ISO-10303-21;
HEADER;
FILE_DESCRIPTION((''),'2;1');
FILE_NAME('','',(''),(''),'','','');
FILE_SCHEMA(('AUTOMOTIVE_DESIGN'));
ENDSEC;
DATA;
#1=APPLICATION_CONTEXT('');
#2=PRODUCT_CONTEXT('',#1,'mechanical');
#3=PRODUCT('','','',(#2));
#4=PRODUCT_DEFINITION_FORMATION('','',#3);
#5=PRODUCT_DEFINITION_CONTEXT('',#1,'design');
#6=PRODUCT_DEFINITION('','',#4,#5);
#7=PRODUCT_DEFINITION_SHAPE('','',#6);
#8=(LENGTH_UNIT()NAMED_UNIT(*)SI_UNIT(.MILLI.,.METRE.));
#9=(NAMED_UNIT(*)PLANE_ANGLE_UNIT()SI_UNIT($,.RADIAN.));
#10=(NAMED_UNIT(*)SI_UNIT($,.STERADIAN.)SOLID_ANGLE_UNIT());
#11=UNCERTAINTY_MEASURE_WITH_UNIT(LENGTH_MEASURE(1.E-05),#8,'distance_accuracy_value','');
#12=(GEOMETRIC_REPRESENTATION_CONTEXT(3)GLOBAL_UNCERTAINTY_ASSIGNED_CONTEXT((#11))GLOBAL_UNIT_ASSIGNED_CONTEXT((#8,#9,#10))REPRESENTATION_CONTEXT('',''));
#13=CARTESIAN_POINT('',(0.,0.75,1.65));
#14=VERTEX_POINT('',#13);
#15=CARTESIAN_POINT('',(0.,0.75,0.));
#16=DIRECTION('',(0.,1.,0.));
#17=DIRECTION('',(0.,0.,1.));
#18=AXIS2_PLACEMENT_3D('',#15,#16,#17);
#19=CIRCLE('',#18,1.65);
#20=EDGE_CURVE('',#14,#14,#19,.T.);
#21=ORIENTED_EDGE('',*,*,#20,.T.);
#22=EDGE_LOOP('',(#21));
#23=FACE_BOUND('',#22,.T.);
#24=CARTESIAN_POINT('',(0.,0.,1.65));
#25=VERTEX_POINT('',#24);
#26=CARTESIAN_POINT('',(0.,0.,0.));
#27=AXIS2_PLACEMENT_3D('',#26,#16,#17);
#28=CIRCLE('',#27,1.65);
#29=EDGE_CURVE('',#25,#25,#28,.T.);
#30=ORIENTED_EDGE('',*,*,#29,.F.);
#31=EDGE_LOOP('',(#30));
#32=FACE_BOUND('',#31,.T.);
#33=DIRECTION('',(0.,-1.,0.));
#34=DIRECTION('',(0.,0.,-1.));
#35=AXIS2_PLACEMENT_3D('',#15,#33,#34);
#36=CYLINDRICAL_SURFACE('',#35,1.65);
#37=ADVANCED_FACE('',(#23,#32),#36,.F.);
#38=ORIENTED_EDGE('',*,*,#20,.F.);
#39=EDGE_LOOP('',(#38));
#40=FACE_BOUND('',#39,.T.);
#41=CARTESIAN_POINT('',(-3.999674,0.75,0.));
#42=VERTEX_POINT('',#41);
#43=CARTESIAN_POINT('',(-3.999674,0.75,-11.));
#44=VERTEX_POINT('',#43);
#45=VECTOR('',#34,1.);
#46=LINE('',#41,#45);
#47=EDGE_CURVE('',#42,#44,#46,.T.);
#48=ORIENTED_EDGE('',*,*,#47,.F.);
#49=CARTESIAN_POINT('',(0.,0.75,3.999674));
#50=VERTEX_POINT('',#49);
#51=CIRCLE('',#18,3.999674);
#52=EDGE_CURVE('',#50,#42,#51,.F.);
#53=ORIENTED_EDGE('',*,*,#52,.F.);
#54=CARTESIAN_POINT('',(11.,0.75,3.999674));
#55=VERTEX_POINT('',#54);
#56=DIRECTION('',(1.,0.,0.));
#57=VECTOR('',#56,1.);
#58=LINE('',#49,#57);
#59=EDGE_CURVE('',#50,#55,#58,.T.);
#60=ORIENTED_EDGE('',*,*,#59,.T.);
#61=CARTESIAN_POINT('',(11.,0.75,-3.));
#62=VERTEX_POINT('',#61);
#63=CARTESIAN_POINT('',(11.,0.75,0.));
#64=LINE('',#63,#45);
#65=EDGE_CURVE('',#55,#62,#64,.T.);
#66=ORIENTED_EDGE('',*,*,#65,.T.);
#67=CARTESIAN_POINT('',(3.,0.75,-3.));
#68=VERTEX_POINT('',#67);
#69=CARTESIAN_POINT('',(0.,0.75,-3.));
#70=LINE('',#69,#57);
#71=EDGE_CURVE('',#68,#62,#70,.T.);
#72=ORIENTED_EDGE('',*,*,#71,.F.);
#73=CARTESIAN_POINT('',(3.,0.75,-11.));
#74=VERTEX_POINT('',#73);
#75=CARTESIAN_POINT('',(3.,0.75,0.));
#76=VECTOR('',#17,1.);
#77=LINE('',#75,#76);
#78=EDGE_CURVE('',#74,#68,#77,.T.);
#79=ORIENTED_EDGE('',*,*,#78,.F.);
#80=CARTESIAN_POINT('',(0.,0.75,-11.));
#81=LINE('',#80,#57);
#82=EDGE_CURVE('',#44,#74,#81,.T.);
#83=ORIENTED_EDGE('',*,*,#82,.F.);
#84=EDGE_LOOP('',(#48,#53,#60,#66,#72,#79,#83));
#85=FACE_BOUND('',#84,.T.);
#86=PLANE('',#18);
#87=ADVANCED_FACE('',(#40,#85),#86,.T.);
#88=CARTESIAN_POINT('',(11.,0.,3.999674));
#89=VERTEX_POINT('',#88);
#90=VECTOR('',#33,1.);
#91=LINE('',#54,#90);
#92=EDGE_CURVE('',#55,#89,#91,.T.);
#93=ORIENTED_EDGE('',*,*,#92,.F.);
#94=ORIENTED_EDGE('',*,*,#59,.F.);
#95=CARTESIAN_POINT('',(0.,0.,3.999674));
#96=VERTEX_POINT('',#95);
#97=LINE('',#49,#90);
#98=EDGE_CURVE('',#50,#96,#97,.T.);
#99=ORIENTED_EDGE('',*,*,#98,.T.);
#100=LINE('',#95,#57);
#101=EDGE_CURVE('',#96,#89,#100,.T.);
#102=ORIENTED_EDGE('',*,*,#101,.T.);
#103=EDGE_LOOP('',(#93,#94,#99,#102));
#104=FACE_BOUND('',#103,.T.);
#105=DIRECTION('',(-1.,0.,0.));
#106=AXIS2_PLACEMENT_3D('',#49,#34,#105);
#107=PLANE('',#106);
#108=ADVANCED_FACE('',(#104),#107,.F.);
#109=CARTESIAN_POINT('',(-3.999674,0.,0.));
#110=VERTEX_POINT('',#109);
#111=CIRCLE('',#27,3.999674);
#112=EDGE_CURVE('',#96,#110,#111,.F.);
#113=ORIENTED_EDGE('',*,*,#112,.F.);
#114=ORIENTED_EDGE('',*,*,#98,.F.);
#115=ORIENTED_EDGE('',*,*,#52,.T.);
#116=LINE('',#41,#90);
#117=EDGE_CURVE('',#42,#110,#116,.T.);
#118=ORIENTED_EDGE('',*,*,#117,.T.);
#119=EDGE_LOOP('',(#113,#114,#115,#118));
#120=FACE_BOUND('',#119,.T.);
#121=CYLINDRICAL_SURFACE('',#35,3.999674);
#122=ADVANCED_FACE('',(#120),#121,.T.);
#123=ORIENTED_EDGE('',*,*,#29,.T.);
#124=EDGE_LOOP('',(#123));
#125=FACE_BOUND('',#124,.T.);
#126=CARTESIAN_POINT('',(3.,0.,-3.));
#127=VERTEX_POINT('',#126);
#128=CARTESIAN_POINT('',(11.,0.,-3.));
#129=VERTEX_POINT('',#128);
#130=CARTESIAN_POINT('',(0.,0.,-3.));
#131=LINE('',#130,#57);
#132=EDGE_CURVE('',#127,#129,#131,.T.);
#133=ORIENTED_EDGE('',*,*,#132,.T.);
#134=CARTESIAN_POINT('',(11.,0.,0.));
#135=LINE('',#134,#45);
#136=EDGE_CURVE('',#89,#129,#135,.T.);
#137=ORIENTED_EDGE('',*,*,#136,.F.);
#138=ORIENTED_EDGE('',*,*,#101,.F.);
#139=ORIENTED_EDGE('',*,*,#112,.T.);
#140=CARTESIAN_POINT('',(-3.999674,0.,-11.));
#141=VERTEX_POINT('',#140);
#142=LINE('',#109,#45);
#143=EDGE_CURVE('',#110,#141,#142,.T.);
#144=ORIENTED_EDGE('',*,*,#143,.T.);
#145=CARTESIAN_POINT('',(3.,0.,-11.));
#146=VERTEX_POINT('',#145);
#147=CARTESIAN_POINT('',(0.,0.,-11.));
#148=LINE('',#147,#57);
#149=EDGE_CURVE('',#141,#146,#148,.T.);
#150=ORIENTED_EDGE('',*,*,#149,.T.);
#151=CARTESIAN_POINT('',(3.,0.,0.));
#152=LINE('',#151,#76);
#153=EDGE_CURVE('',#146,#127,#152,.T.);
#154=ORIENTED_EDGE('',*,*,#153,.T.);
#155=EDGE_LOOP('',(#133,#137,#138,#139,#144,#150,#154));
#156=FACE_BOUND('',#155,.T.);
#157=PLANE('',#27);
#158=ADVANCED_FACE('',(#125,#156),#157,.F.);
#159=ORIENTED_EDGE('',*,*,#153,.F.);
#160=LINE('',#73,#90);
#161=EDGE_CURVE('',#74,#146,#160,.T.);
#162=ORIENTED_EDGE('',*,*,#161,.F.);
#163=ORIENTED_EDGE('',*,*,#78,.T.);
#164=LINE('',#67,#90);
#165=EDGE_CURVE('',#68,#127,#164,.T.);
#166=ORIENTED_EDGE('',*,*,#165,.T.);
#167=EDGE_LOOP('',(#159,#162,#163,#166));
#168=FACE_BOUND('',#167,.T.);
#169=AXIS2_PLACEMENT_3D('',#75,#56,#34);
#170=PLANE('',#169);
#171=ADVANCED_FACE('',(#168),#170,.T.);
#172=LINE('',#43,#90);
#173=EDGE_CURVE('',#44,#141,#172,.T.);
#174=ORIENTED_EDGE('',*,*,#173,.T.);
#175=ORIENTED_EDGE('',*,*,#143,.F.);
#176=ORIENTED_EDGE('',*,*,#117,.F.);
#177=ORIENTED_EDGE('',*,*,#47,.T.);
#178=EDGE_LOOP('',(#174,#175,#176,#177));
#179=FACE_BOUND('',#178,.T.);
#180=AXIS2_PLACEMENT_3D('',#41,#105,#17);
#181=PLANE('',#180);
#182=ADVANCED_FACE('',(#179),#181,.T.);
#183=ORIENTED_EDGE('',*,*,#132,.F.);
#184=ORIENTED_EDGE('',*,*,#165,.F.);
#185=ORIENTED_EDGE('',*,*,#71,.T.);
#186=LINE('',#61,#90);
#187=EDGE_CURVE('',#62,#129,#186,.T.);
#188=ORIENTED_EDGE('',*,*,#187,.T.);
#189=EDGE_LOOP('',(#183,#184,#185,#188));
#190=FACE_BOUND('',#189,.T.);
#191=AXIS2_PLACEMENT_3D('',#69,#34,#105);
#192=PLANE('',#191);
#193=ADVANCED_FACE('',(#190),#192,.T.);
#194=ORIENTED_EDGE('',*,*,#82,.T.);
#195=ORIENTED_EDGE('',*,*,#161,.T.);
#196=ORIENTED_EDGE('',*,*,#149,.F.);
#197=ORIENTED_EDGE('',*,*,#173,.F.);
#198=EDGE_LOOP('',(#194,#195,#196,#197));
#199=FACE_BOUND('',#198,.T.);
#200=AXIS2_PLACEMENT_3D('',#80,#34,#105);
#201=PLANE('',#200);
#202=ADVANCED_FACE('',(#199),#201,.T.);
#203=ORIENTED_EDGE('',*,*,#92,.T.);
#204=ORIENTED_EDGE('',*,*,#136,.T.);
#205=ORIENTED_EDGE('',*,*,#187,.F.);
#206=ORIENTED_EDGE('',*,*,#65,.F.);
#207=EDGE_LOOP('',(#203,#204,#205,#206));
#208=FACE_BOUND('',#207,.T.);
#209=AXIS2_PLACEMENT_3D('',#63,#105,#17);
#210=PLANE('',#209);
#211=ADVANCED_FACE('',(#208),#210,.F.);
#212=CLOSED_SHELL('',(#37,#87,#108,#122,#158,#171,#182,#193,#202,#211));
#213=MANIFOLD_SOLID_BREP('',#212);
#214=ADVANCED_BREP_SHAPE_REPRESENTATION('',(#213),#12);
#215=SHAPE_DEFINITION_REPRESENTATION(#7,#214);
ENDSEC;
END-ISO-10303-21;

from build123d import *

# Parameters (mm, degrees)
SKETCH1_R           = 1.65
BOSS_EXTRUDE1_DEPTH = 0.75


with BuildPart() as part:
    # Sketch1 → Boss-Extrude1 (new body)
    with BuildSketch(Plane(origin=(0, 0, 0), x_dir=(1, 0, 0), z_dir=(0, 1, 0))):
        with BuildLine():
            Line((11, -3.99967418), (11, 3))
            Line((11, 3), (3, 3))
            Line((3, 3), (3, 11))
            Line((3, 11), (-3.99967418, 11))
            Line((-3.99967418, 11), (-3.99967418, 0))
            ThreePointArc((-3.99967418, 0), (-2.828196736, -2.828196736), (0, -3.99967418))
            Line((0, -3.99967418), (11, -3.99967418))
        make_face()
        with Locations(Location((0, 0, 0), (0, 0, 270))):
            Circle(SKETCH1_R, mode=Mode.SUBTRACT)
    extrude(amount=BOSS_EXTRUDE1_DEPTH)


solid = part.part
